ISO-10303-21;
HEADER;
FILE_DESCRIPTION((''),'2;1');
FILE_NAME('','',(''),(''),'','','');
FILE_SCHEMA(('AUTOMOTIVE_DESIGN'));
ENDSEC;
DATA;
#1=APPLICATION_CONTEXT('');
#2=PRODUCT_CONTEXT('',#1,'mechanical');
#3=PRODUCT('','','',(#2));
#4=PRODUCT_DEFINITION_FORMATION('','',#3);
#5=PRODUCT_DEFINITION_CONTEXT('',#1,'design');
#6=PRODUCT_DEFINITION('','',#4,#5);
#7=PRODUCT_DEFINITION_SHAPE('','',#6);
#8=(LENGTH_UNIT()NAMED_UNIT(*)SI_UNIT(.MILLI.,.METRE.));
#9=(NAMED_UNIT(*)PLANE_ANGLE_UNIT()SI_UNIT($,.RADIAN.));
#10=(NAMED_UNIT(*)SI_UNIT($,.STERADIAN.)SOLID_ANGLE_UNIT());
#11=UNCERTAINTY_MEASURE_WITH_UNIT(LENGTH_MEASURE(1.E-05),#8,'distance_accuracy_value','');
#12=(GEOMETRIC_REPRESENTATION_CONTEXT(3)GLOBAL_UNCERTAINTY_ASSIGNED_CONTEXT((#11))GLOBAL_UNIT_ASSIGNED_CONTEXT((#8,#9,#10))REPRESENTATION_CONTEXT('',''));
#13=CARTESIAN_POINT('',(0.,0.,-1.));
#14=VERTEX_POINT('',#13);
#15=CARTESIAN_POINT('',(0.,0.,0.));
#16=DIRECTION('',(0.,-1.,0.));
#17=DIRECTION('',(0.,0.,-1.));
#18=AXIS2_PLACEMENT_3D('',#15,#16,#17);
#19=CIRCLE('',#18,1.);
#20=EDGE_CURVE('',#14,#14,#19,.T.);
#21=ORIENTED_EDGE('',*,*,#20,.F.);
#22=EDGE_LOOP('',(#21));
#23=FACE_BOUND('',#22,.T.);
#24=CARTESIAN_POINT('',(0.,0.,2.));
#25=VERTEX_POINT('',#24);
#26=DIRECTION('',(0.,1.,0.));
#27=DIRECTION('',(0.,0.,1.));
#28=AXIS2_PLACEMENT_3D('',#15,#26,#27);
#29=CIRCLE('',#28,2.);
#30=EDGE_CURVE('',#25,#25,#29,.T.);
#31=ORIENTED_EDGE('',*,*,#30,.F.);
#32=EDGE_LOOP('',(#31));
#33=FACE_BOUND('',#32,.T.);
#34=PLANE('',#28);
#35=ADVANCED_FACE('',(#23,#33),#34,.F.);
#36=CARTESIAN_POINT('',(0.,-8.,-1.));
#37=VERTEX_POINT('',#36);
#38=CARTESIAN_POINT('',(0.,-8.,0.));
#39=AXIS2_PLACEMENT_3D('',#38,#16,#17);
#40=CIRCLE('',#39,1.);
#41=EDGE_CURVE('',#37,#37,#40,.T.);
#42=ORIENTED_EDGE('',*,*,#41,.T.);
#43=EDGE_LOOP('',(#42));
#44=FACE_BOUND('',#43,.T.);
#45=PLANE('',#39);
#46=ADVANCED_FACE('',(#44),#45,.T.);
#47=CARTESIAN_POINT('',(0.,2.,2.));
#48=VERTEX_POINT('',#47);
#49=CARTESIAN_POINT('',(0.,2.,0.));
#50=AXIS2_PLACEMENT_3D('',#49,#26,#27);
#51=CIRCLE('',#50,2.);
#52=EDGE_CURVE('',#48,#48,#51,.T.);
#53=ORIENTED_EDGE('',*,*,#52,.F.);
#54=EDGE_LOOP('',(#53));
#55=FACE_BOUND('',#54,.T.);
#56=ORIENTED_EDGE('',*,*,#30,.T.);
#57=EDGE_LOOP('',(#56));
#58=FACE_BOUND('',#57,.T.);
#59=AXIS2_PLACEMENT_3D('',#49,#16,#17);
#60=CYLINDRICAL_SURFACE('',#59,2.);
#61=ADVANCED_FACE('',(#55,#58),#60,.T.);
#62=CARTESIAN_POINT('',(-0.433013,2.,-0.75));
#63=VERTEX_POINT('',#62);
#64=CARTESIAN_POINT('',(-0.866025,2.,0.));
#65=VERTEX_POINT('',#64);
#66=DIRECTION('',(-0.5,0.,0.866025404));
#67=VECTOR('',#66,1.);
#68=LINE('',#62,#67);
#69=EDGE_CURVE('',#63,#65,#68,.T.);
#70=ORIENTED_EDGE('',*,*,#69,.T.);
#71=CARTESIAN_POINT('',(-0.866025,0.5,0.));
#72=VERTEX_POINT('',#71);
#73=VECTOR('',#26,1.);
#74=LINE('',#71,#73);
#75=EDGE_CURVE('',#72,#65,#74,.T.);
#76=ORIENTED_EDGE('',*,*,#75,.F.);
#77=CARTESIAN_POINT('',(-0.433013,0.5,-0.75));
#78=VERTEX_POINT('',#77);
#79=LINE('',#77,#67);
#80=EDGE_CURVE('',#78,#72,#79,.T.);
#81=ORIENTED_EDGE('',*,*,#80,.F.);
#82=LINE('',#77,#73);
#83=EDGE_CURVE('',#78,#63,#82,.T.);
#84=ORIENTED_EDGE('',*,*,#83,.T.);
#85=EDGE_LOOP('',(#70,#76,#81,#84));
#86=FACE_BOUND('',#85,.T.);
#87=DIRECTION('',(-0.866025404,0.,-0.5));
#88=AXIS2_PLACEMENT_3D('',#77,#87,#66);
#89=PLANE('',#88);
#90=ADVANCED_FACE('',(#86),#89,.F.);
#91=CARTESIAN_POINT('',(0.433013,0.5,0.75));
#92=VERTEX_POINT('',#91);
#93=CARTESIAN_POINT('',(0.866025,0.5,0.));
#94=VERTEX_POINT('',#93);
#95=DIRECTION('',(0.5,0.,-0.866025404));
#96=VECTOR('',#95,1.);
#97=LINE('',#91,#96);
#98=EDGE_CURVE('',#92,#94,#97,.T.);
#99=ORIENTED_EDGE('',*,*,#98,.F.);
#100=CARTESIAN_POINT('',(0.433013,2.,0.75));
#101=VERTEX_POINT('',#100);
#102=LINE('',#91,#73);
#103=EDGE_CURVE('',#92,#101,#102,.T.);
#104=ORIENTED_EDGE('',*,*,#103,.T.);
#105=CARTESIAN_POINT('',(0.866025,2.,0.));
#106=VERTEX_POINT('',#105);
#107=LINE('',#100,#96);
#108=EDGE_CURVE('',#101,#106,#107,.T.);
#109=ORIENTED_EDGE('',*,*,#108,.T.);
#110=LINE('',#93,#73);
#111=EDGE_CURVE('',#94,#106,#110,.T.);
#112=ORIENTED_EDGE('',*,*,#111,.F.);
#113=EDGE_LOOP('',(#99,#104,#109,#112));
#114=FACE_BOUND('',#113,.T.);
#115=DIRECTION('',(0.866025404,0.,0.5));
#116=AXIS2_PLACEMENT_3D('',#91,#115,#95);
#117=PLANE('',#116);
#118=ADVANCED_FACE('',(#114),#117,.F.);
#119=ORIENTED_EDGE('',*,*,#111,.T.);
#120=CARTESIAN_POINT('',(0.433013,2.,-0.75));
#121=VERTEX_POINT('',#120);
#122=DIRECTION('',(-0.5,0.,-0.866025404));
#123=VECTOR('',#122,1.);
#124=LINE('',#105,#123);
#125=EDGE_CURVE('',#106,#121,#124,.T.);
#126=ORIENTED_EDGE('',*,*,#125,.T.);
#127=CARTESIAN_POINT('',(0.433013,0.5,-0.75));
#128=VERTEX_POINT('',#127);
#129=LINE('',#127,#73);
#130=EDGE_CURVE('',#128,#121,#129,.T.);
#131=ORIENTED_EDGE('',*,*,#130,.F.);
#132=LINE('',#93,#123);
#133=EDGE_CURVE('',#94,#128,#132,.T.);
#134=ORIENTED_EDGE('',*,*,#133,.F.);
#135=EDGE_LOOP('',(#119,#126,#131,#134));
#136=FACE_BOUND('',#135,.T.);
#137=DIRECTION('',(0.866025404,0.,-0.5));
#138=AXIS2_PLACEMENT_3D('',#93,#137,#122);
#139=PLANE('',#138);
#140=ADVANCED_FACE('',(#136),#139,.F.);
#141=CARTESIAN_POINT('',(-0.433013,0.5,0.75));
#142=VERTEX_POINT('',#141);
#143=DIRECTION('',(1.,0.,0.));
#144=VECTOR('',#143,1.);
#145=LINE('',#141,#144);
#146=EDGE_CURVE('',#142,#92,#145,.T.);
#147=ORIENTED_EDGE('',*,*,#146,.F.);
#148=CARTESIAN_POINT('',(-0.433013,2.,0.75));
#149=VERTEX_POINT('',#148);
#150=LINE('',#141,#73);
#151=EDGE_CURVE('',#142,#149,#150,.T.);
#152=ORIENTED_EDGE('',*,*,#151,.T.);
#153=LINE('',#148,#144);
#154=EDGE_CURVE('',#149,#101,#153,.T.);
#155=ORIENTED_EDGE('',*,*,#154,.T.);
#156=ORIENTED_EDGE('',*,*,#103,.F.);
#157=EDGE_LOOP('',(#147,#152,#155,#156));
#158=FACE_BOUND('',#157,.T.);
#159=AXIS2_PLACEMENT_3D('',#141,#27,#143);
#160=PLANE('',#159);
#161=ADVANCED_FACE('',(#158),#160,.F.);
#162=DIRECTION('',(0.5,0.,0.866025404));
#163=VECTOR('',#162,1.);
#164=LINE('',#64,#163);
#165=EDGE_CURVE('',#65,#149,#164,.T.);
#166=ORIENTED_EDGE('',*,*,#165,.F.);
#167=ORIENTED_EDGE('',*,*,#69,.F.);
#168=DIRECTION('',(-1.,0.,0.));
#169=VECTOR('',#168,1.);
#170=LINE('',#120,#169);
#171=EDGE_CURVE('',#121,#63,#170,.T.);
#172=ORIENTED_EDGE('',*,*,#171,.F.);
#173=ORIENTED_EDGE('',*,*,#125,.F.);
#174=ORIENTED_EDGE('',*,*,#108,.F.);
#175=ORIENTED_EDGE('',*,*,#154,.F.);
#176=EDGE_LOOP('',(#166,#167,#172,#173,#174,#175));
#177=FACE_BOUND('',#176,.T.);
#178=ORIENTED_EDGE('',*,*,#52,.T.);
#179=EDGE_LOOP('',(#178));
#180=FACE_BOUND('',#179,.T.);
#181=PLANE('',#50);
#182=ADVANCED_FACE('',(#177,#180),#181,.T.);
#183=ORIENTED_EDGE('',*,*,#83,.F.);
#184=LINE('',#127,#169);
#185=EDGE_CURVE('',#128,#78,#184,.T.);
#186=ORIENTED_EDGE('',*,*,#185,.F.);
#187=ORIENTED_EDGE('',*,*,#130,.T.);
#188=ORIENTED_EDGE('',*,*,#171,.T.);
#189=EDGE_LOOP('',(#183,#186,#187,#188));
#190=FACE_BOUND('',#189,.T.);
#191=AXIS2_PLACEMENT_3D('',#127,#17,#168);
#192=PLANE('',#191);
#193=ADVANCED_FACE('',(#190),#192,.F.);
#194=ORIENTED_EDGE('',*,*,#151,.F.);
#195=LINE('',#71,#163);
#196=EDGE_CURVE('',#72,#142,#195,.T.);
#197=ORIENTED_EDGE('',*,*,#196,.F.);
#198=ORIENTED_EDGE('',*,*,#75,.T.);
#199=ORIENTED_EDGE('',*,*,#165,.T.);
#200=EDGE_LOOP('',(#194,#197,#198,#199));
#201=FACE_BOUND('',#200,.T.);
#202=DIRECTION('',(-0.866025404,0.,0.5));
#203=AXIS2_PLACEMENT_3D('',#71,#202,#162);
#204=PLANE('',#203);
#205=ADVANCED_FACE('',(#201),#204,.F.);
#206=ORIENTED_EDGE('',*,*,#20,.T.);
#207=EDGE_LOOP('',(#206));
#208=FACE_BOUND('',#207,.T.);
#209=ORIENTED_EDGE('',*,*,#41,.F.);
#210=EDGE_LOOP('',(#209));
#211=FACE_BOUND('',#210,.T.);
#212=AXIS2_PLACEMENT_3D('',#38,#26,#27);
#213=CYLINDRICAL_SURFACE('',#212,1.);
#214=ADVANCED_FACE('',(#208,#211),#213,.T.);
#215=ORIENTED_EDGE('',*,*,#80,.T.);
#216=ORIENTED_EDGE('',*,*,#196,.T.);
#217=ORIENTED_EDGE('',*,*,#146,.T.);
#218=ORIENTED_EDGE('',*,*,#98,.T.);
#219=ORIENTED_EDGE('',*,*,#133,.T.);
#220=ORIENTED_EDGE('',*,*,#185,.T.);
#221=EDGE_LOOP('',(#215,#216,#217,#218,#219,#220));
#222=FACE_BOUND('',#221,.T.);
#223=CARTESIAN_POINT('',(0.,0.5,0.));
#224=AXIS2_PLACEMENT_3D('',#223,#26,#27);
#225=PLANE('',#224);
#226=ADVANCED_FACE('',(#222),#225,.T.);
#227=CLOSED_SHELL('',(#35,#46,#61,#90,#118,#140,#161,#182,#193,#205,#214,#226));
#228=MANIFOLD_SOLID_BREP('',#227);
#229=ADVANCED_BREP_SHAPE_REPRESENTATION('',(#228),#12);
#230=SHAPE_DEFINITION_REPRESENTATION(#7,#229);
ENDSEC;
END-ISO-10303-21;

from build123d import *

# Parameters (mm, degrees)
SKETCH_1_R            = 2
EXTRUDE_246_DEPTH     = 2
CUT_EXTRUDE_376_DEPTH = 1.5
SKETCH_3_R            = 1
EXTRUDE_477_DEPTH     = 8


with BuildPart() as part:
    # 草图1 → Extrude 246 (new body)
    with BuildSketch(Plane(origin=(0, 0, 0), x_dir=(1, 0, 0), z_dir=(0, 1, 0))):
        Circle(SKETCH_1_R)
    extrude(amount=EXTRUDE_246_DEPTH)

    # 草图2 → Cut-Extrude 376 (cut)
    with BuildSketch(Plane(origin=(0, 2, 0), x_dir=(1, 0, 0), z_dir=(0, 1, 0))):
        Polygon((0.866025404, 0), (0.433012702, 0.75), (-0.433012702, 0.75), (-0.866025404, 0), (-0.433012702, -0.75), (0.433012702, -0.75), align=None)
    extrude(amount=-CUT_EXTRUDE_376_DEPTH, mode=Mode.SUBTRACT)

    # 草图3 → Extrude 477 (add)
    with BuildSketch(Plane.XZ):
        Circle(SKETCH_3_R)
    extrude(amount=EXTRUDE_477_DEPTH)


solid = part.part
